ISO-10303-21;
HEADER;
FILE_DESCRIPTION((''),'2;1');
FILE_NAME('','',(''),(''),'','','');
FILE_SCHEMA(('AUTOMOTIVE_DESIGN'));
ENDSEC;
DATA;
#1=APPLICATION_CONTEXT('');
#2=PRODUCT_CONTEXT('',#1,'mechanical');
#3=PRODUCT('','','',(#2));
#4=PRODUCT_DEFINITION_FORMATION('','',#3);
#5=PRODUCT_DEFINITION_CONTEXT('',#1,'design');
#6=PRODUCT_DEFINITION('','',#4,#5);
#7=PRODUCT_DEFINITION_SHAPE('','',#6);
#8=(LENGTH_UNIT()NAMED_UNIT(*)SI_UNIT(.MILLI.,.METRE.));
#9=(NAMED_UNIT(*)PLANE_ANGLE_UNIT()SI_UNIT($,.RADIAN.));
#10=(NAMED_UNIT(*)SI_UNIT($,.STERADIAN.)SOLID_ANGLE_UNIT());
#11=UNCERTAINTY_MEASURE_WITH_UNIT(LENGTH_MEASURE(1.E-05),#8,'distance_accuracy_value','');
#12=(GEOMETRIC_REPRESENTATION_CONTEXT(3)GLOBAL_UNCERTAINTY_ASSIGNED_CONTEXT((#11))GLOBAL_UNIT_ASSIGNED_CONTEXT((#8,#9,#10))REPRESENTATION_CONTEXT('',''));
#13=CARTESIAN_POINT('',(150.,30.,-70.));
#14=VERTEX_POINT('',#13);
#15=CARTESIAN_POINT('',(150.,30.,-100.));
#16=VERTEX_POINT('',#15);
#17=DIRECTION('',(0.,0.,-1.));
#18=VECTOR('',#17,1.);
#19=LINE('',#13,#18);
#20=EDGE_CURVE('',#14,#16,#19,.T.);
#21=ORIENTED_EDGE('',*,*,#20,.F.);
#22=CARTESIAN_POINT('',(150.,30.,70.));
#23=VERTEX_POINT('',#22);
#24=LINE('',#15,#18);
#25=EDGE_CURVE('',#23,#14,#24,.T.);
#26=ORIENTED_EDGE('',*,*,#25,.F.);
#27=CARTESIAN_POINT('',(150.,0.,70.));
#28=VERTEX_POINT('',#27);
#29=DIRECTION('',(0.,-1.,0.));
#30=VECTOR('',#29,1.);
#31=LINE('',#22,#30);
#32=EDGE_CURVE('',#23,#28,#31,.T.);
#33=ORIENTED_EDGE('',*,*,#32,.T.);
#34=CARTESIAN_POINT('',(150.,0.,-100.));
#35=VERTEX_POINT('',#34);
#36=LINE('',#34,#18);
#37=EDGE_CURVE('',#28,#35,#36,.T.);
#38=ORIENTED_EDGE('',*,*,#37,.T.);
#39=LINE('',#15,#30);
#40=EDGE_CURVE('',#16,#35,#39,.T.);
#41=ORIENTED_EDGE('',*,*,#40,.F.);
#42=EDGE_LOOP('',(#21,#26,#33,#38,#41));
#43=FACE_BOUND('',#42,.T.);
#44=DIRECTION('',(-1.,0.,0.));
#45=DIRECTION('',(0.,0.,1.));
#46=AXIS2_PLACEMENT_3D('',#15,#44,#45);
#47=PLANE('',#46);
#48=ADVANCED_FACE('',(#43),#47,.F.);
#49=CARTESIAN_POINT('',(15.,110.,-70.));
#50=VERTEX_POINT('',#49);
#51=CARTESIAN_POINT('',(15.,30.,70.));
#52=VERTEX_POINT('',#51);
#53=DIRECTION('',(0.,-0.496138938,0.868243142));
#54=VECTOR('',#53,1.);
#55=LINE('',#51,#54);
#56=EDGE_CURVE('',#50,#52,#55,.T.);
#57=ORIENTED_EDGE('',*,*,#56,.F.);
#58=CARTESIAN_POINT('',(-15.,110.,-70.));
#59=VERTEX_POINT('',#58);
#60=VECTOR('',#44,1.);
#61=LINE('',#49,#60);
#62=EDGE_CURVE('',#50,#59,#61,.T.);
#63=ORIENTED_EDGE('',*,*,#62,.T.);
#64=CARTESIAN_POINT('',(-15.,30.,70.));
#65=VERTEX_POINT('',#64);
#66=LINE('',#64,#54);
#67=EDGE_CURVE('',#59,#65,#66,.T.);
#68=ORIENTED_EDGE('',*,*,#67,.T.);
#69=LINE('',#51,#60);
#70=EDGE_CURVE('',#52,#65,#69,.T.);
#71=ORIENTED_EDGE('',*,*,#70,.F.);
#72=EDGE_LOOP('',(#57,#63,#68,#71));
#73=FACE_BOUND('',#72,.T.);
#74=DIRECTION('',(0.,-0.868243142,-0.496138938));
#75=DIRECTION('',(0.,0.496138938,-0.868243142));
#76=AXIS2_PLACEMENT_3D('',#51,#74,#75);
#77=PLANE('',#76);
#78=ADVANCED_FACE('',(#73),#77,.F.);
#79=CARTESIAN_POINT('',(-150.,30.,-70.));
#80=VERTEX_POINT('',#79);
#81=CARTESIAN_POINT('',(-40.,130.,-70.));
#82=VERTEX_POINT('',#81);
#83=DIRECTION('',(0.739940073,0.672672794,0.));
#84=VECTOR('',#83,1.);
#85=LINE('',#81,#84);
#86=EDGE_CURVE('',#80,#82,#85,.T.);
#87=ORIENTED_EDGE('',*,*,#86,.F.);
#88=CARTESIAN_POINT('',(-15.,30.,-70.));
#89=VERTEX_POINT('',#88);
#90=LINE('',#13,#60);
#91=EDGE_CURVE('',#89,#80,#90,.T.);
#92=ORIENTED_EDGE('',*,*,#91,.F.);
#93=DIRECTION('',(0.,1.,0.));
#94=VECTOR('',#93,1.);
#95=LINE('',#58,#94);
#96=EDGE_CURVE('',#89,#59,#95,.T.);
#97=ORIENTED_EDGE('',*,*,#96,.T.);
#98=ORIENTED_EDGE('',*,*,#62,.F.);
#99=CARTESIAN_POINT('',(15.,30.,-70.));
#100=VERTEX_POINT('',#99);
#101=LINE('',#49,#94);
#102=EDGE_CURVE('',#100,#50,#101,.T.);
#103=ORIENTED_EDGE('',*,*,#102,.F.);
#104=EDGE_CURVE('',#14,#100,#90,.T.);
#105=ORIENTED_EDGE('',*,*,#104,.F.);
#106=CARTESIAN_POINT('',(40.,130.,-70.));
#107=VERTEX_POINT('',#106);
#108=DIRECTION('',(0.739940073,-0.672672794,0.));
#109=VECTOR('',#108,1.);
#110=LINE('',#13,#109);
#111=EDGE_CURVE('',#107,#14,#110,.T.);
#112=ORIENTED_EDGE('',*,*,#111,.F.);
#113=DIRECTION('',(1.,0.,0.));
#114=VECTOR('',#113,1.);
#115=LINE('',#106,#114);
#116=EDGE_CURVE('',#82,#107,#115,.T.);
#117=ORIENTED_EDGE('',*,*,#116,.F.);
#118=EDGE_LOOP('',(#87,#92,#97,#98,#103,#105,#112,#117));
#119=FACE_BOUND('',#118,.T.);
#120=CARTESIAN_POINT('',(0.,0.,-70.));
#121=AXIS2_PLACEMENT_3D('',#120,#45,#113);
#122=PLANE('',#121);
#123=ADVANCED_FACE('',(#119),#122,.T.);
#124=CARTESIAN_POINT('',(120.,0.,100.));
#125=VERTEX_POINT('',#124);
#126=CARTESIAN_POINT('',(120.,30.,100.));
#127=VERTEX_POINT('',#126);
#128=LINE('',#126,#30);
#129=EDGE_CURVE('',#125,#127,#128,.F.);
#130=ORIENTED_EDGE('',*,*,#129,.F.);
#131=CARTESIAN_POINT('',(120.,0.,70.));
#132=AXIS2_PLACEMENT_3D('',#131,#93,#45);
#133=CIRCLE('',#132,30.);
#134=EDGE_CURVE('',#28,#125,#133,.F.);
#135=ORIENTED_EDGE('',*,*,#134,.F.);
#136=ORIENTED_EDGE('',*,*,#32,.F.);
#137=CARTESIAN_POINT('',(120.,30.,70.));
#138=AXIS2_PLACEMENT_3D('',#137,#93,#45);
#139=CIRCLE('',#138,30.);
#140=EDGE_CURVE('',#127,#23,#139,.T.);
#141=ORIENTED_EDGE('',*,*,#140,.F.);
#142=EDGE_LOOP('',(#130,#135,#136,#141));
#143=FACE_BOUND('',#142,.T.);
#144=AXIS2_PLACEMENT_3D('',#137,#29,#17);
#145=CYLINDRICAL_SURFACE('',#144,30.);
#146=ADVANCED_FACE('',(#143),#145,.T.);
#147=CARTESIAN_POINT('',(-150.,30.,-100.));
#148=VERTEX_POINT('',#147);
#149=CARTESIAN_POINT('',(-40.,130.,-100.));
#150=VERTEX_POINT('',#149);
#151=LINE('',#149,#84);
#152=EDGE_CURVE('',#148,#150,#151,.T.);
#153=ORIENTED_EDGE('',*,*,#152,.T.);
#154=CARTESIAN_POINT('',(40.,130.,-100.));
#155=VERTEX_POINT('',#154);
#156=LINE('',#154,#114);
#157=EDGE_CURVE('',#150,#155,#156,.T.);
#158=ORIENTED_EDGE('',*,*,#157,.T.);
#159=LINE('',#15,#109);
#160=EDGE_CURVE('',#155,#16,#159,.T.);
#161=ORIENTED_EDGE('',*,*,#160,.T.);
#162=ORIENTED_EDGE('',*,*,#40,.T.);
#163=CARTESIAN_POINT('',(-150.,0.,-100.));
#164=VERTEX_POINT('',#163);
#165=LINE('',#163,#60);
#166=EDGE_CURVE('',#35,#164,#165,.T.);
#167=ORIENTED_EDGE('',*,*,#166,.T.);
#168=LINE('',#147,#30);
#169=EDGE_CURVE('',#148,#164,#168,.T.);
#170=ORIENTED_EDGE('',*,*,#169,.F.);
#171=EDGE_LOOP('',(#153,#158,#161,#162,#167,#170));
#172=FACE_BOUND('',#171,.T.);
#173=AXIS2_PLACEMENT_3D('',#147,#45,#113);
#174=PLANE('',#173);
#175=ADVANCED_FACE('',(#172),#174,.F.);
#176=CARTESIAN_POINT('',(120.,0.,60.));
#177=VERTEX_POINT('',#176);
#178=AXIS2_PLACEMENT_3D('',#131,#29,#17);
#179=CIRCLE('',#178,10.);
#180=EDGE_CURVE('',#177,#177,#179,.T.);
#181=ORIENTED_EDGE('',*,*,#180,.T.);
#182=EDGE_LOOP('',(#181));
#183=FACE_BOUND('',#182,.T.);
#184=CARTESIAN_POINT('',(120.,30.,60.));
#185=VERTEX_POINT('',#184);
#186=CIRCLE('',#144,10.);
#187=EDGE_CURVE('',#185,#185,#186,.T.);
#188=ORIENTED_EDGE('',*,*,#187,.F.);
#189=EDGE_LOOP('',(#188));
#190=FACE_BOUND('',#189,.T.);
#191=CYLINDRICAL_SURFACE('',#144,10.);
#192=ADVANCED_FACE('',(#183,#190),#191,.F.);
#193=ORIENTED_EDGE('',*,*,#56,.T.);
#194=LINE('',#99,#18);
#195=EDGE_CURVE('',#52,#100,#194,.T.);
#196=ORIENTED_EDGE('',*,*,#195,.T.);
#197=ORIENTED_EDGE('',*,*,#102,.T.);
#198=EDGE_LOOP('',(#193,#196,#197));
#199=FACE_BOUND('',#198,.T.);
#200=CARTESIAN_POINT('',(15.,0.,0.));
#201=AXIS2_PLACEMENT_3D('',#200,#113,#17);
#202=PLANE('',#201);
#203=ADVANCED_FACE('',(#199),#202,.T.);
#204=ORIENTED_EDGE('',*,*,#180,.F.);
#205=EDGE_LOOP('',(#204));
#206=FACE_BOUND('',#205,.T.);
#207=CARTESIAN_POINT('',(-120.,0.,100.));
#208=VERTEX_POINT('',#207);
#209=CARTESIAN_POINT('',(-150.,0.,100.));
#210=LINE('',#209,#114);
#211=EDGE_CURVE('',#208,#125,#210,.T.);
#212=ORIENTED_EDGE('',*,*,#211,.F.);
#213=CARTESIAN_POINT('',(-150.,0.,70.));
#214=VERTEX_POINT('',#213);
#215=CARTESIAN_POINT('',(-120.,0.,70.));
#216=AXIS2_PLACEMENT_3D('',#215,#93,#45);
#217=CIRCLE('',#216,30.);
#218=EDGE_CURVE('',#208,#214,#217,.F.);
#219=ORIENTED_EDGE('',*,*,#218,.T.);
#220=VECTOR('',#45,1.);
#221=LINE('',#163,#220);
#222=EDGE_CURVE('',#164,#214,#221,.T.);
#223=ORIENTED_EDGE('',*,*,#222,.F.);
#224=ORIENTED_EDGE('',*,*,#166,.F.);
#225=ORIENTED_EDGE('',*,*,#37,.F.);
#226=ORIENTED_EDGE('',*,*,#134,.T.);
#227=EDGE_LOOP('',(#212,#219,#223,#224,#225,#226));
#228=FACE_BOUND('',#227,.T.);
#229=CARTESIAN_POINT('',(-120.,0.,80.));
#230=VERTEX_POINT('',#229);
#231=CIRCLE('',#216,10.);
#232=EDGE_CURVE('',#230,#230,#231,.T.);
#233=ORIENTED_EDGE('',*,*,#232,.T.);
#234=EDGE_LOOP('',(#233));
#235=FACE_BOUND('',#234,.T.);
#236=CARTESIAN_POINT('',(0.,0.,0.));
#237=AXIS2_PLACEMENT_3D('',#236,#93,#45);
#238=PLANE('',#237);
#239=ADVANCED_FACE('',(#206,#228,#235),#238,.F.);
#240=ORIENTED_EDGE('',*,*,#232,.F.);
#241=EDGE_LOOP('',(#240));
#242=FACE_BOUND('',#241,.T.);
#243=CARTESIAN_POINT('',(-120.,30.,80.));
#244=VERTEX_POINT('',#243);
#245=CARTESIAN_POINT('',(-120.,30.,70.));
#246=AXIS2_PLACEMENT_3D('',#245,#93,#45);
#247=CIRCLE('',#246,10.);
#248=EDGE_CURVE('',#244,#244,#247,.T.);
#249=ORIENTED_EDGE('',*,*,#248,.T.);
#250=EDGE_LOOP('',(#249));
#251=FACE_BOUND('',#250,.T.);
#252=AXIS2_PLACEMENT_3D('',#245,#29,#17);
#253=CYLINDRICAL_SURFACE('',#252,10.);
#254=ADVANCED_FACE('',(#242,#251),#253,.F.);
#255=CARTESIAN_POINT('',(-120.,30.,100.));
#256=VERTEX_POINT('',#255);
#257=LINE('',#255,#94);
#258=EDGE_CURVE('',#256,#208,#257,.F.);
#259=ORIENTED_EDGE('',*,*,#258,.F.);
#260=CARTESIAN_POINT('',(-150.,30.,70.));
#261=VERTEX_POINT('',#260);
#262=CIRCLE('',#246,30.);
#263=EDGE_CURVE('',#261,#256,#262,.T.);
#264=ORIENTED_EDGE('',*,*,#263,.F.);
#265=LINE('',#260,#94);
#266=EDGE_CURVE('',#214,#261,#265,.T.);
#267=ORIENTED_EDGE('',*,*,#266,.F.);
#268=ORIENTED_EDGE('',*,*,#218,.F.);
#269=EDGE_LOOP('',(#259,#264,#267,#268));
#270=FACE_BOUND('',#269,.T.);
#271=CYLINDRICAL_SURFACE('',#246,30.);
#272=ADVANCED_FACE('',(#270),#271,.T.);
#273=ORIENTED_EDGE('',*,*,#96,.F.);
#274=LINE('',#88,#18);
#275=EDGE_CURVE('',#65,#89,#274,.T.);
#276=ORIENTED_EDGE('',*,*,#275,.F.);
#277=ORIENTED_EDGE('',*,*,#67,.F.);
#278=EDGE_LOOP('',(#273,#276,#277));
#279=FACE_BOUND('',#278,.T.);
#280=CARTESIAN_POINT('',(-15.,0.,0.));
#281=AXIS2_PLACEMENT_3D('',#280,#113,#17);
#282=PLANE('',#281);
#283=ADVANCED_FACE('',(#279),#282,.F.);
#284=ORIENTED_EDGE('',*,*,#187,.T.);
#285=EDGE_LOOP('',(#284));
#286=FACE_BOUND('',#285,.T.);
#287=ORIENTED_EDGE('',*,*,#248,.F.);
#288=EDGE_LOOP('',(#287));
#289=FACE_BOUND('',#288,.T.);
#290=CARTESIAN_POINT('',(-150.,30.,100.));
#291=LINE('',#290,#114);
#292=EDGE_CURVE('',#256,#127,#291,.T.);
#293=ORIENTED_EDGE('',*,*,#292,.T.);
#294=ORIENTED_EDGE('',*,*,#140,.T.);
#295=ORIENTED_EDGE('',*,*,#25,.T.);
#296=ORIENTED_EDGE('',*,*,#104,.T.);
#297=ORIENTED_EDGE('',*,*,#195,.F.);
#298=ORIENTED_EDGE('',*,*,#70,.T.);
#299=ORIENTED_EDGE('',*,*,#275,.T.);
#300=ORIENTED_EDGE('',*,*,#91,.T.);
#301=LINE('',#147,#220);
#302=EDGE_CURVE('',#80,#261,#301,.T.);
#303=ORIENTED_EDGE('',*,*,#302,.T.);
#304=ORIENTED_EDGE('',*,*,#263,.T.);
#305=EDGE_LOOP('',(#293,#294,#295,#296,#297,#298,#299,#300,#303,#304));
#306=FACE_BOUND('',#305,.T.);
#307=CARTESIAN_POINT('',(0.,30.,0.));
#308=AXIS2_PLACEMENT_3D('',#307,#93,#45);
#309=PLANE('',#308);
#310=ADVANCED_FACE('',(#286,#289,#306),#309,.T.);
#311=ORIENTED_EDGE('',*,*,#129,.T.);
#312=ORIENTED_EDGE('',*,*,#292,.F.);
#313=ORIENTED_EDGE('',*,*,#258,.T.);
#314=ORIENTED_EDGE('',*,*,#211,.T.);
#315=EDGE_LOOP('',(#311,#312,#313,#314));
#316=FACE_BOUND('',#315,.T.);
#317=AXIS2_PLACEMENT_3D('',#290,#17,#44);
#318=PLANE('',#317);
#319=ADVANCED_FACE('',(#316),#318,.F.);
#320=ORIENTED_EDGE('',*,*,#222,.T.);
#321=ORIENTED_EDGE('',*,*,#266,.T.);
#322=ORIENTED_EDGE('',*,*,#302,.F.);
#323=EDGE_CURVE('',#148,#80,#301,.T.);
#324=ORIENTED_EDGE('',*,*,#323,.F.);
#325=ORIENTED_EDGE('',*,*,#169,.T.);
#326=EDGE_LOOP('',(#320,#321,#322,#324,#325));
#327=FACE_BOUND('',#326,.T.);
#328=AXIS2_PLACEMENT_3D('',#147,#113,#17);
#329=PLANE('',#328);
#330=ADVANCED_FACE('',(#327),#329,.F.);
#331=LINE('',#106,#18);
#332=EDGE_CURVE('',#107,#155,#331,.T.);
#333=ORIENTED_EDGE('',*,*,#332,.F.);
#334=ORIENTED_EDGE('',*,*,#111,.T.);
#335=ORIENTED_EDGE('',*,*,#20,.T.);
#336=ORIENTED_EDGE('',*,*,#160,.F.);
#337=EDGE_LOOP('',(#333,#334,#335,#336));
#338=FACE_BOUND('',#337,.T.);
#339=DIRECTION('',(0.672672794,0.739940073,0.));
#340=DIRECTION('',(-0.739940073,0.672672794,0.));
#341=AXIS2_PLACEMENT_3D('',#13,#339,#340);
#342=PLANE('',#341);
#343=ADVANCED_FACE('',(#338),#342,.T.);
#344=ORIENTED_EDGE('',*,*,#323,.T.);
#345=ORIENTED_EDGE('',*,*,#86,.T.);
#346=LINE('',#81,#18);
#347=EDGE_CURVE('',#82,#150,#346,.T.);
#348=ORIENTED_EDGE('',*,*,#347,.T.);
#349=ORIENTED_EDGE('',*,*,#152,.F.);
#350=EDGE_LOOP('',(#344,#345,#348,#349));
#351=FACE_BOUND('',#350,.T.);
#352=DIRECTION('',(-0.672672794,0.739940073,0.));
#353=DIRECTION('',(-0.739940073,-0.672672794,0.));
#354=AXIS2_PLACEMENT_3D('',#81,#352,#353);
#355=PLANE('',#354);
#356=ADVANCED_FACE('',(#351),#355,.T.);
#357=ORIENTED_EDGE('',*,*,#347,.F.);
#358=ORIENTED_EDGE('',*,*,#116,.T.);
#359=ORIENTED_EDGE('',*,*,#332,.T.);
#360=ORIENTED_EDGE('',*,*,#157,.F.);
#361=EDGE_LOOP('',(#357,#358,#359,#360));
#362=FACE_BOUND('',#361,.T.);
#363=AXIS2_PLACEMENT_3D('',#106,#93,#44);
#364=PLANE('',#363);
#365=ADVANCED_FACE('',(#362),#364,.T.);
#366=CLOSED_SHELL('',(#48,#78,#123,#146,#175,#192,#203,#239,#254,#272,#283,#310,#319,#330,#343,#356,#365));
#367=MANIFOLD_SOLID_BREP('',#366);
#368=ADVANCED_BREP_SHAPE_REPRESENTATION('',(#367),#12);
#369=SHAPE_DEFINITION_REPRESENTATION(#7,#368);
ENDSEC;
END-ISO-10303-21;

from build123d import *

# Parameters (mm, degrees)
SKETCH_3_W          = 299.999999948
SKETCH_3_H          = 200.00000005
EXTRUDE_1_DEPTH     = 30
FILLET_1_R          = 30
FILLET_2_R          = 30
EXTRUDE_2_DEPTH     = 30
SKETCH_4_R          = 10
CUT_EXTRUDE_1_DEPTH = 30
EXTRUDE_3_DEPTH     = 15


with BuildPart() as part:
    # 草图3 → 凸台-拉伸1 (new body)
    with BuildSketch(Plane(origin=(0, 0, 0), x_dir=(1, 0, 0), z_dir=(0, 1, 0))):
        Rectangle(SKETCH_3_W, SKETCH_3_H)
    extrude(amount=EXTRUDE_1_DEPTH)

    # 圆角1
    fillet_1_edges = [part.edges().sort_by_distance(p)[0] for p in [
        (-149.999999974, 15, 100.000000025),
    ]]
    fillet(fillet_1_edges, radius=FILLET_1_R)

    # 圆角2
    fillet_2_edges = [part.edges().sort_by_distance(p)[0] for p in [
        (149.999999974, 15, 100.000000025),
    ]]
    fillet(fillet_2_edges, radius=FILLET_2_R)

    # 草图5 → 凸台-拉伸2 (add)
    with BuildSketch(Plane(origin=(0, 0, -100.000000025), x_dir=(-1, 0, 0), z_dir=(0, 0, -1))):
        Polygon((-149.999999974, 30), (149.999999974, 30), (40, 130), (-40, 130), align=None)
    extrude(amount=-EXTRUDE_2_DEPTH)

    # 草图4 → 切除-拉伸1 (cut)
    with BuildSketch(Plane(origin=(0, 0, 0), x_dir=(1, 0, 0), z_dir=(0, 1, 0))):
        with Locations(Location((-119.999999974, -70.000000025, 0), (0, 0, 270))):
            Circle(SKETCH_4_R)
        with Locations(Location((119.999999974, -70.000000025, 0), (0, 0, 90))):
            Circle(SKETCH_4_R)
    extrude(amount=CUT_EXTRUDE_1_DEPTH, mode=Mode.SUBTRACT)

    # 草图7 → 凸台-拉伸3 (add, symmetric)
    with BuildSketch(Plane(origin=(0, 0, 0), x_dir=(0, 0, -1), z_dir=(1, 0, 0))):
        Polygon((-70.000000025, 30), (70.000000025, 110), (70.000000025, 30), align=None)
    extrude(amount=EXTRUDE_3_DEPTH, both=True)


solid = part.part
